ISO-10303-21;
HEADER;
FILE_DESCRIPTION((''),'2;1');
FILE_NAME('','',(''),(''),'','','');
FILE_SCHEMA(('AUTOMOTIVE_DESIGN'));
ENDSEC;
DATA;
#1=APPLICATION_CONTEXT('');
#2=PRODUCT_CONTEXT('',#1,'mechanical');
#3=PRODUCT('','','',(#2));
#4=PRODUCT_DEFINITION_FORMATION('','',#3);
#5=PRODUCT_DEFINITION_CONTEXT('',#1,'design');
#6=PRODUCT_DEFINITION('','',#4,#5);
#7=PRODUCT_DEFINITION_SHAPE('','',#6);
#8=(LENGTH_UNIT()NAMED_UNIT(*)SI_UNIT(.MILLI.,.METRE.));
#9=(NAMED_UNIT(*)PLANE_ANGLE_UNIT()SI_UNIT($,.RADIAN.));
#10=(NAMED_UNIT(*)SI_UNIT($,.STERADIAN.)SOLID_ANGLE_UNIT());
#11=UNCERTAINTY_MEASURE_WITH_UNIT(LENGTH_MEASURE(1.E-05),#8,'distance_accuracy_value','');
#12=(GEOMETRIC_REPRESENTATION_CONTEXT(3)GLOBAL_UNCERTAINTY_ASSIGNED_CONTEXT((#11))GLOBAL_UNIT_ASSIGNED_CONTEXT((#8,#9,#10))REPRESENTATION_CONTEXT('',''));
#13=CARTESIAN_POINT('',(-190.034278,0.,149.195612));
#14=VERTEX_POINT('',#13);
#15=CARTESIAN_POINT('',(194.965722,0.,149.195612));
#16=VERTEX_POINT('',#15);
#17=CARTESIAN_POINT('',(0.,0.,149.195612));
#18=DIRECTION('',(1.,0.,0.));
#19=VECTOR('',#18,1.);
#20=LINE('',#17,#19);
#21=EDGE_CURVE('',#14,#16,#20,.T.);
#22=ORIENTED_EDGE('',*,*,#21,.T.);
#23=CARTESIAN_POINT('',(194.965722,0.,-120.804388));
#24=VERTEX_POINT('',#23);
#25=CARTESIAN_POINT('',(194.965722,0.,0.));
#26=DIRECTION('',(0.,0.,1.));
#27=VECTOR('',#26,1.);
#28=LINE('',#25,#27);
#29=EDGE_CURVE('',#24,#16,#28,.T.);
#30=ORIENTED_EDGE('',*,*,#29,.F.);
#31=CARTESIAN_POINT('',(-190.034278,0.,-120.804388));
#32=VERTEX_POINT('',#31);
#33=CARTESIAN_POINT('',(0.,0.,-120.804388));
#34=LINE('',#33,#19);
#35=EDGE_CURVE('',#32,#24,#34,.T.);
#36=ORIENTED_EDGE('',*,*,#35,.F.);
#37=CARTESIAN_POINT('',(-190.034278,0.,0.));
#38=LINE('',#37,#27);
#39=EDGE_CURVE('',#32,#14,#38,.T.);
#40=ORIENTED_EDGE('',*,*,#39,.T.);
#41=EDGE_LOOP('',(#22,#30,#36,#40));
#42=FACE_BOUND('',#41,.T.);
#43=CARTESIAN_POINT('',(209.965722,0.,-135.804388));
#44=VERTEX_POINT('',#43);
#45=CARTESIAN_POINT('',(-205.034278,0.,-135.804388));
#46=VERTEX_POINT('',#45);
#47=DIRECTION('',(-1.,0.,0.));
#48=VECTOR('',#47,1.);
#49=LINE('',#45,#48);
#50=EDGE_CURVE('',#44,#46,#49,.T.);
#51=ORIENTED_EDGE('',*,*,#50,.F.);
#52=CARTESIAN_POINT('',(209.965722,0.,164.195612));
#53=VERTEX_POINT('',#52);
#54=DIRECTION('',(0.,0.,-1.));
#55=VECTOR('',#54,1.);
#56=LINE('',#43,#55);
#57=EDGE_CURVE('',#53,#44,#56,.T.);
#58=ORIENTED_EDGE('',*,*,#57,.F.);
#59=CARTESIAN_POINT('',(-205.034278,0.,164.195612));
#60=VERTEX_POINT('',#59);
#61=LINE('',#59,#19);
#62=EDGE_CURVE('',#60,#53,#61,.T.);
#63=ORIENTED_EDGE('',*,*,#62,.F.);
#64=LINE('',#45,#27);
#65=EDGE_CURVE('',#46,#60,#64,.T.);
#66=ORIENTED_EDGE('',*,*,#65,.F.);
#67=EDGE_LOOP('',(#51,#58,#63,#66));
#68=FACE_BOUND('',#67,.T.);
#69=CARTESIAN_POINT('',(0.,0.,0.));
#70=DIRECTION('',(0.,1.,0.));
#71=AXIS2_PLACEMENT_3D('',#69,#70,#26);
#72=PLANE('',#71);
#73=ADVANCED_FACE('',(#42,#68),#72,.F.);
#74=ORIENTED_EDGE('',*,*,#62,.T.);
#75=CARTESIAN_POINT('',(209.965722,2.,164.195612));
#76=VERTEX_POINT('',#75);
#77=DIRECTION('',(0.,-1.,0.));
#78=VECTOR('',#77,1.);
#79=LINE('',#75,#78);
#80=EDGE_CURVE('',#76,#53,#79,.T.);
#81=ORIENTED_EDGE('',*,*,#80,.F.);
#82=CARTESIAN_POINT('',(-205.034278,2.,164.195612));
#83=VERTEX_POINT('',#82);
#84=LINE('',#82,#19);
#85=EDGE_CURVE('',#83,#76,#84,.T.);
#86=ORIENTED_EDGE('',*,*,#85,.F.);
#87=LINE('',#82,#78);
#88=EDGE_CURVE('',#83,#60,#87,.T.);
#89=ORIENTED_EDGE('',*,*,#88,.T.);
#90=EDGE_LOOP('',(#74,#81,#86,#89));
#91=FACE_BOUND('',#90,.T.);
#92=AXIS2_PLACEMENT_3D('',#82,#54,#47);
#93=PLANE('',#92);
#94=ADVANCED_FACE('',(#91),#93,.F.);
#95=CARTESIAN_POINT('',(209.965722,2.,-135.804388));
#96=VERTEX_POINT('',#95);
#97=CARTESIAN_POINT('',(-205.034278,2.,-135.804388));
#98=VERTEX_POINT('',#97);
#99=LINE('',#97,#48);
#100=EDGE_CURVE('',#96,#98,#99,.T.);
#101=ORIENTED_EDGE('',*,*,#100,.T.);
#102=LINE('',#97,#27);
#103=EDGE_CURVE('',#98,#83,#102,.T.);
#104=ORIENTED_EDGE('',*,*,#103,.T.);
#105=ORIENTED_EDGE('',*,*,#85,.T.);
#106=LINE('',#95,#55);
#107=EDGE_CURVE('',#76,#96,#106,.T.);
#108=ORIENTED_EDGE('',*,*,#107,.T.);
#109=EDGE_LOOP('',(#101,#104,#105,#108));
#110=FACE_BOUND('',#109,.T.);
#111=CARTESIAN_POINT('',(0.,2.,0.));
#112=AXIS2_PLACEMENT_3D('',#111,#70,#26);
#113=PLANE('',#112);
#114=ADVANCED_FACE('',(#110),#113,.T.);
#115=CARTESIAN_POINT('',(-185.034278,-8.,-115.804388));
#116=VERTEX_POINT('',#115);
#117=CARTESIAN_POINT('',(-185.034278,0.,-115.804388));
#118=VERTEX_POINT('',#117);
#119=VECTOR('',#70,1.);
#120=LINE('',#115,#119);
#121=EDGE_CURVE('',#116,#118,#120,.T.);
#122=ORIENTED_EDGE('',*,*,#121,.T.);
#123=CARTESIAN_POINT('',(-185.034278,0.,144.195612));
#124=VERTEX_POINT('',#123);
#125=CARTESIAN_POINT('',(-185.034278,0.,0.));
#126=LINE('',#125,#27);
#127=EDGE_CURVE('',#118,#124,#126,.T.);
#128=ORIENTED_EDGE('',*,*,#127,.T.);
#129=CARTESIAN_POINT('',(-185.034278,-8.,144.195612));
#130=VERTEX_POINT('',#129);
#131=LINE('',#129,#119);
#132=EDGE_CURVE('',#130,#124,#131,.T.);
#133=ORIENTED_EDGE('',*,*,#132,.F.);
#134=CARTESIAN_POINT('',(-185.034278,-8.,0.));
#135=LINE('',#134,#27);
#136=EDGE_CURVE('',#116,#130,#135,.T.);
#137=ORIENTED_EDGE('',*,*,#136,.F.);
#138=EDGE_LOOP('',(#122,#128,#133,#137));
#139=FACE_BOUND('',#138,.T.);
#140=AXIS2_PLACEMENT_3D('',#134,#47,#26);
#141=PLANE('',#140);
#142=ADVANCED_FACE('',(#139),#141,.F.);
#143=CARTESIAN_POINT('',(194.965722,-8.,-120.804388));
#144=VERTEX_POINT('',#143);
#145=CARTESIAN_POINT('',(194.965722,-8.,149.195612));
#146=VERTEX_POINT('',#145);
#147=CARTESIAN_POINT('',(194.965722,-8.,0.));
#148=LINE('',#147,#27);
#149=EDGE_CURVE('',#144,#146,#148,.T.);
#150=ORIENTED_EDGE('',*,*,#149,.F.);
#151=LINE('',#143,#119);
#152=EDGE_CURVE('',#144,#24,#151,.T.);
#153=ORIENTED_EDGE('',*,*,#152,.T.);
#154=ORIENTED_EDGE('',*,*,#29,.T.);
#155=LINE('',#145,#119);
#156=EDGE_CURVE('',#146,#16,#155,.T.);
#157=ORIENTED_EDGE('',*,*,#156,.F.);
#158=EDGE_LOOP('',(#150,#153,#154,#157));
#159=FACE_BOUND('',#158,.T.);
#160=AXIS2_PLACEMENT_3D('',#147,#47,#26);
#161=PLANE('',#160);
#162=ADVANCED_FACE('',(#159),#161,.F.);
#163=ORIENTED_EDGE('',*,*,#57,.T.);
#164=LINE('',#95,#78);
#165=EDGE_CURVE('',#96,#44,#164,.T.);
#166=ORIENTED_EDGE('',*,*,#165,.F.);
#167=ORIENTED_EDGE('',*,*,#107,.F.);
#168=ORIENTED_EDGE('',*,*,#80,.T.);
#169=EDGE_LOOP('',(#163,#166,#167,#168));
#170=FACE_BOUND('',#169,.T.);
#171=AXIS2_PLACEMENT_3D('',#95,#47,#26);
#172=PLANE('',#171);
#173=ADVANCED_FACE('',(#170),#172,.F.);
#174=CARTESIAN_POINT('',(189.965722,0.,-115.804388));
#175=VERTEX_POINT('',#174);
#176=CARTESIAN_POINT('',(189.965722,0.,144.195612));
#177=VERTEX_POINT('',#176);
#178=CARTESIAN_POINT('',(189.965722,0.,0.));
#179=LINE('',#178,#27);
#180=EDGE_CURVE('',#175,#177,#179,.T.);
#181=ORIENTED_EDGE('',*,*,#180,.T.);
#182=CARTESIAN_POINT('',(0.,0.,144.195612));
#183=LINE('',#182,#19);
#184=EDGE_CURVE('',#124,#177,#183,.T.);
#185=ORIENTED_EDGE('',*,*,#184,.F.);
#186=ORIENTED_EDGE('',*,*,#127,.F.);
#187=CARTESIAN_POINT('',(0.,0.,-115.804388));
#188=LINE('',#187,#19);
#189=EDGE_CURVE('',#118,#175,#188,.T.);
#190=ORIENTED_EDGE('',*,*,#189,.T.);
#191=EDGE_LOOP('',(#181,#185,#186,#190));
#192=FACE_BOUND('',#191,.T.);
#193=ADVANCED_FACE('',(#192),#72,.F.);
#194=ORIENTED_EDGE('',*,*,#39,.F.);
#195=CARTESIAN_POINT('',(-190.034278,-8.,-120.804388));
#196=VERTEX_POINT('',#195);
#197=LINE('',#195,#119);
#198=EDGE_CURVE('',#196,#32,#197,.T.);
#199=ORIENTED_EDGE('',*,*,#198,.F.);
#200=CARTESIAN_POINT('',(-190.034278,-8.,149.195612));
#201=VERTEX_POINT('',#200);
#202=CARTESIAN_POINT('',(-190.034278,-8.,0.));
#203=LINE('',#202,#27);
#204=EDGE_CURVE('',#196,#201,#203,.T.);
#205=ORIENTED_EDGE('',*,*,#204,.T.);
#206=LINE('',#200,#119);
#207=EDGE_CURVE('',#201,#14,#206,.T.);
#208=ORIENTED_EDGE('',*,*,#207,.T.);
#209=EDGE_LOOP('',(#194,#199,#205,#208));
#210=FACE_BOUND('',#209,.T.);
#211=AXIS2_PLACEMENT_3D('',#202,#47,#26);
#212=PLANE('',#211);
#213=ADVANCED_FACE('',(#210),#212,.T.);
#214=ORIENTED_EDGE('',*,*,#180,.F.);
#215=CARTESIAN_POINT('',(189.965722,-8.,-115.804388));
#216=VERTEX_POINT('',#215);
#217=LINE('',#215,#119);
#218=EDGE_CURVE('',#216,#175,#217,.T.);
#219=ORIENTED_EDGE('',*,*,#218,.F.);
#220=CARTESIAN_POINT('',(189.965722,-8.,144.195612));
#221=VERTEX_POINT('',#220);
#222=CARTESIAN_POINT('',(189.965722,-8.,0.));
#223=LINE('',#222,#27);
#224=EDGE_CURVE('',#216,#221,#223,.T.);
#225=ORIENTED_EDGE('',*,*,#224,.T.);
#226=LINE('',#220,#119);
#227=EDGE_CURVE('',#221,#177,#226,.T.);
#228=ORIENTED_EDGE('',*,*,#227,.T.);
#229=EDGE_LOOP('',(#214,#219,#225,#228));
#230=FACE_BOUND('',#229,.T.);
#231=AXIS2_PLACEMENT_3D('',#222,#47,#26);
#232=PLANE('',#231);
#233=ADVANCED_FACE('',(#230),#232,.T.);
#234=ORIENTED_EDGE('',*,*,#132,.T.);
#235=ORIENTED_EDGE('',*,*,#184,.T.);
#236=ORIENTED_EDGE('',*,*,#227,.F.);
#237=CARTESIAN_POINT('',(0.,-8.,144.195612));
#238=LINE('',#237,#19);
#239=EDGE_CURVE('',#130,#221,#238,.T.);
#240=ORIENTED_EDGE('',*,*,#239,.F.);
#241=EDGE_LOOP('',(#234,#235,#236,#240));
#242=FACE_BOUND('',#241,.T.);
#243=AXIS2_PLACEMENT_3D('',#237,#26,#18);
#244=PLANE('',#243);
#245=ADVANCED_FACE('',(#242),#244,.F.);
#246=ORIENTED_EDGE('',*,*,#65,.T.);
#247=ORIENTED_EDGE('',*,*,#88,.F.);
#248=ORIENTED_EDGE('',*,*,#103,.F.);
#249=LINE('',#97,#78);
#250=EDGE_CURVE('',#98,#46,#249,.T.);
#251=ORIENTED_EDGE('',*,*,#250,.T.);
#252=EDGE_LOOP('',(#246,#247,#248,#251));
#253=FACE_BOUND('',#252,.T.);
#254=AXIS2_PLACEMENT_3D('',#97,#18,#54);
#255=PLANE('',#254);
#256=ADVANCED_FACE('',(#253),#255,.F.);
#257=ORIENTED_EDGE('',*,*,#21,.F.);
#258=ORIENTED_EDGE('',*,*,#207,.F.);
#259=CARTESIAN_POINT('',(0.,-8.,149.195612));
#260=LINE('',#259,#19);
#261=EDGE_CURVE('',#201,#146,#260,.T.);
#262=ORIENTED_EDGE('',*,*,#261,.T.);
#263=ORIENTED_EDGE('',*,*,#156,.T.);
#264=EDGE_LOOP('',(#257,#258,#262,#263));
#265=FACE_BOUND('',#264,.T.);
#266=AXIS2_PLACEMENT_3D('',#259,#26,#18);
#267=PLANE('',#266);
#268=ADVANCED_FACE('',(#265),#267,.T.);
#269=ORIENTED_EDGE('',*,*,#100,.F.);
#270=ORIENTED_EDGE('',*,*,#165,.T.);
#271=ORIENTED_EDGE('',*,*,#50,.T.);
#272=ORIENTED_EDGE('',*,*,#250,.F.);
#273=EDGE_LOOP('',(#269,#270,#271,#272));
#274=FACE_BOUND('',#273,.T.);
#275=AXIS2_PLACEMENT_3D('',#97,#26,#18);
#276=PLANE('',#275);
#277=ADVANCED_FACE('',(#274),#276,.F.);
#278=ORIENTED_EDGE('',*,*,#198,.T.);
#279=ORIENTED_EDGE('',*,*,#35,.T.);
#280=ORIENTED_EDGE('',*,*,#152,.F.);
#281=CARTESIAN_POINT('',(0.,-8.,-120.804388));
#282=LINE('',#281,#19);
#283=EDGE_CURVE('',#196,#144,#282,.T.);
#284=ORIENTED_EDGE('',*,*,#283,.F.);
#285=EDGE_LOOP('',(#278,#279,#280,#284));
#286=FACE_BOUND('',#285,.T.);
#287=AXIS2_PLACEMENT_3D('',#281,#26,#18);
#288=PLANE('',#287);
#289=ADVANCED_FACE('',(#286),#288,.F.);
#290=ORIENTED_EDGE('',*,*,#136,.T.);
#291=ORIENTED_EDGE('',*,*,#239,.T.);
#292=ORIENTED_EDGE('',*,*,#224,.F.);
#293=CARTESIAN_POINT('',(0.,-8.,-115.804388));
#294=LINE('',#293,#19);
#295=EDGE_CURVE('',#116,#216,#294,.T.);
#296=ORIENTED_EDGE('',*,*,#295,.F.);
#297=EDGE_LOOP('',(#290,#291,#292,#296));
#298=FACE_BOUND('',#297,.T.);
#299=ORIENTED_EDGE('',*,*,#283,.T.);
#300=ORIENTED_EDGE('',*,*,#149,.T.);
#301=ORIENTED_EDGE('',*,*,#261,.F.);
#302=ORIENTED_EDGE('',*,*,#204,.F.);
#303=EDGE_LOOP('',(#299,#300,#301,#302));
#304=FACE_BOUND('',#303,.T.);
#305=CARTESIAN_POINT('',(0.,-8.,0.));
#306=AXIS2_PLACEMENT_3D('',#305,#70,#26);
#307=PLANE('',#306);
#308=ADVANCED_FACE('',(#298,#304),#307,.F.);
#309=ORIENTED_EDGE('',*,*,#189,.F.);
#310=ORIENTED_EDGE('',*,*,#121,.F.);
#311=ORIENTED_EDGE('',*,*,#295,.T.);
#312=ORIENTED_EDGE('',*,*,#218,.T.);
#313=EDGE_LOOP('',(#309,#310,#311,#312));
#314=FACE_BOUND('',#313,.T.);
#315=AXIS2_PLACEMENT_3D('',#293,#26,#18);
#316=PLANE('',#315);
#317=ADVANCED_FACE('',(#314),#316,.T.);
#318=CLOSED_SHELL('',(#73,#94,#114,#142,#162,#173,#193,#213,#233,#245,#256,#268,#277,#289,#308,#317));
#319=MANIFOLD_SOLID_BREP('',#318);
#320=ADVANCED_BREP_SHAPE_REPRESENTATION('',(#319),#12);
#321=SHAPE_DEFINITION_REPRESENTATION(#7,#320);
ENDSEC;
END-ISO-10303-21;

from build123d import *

# Parameters (mm, degrees)
SKETCH3_W           = 415
SKETCH3_H           = 300
BOSS_EXTRUDE1_DEPTH = 2
SKETCH4_W           = 385
SKETCH4_H           = 270
SKETCH4_W_2         = 375
SKETCH4_H_2         = 260
BOSS_EXTRUDE2_DEPTH = 10


with BuildPart() as part:
    # Sketch3 → Boss-Extrude1 (new body)
    with BuildSketch(Plane(origin=(0, 0, 0), x_dir=(1, 0, 0), z_dir=(0, 1, 0))):
        with Locations((2.465722121, -14.195612431)):
            Rectangle(SKETCH3_W, SKETCH3_H)
    extrude(amount=BOSS_EXTRUDE1_DEPTH)

    # Sketch4 → Boss-Extrude2 (add)
    with BuildSketch(Plane(origin=(0, 2, 0), x_dir=(1, 0, 0), z_dir=(0, 1, 0))):
        with Locations((2.465722121, -14.195612431)):
            Rectangle(SKETCH4_W, SKETCH4_H)
        with Locations((2.465722121, -14.195612431)):
            Rectangle(SKETCH4_W_2, SKETCH4_H_2, mode=Mode.SUBTRACT)
    extrude(amount=-BOSS_EXTRUDE2_DEPTH)


solid = part.part
